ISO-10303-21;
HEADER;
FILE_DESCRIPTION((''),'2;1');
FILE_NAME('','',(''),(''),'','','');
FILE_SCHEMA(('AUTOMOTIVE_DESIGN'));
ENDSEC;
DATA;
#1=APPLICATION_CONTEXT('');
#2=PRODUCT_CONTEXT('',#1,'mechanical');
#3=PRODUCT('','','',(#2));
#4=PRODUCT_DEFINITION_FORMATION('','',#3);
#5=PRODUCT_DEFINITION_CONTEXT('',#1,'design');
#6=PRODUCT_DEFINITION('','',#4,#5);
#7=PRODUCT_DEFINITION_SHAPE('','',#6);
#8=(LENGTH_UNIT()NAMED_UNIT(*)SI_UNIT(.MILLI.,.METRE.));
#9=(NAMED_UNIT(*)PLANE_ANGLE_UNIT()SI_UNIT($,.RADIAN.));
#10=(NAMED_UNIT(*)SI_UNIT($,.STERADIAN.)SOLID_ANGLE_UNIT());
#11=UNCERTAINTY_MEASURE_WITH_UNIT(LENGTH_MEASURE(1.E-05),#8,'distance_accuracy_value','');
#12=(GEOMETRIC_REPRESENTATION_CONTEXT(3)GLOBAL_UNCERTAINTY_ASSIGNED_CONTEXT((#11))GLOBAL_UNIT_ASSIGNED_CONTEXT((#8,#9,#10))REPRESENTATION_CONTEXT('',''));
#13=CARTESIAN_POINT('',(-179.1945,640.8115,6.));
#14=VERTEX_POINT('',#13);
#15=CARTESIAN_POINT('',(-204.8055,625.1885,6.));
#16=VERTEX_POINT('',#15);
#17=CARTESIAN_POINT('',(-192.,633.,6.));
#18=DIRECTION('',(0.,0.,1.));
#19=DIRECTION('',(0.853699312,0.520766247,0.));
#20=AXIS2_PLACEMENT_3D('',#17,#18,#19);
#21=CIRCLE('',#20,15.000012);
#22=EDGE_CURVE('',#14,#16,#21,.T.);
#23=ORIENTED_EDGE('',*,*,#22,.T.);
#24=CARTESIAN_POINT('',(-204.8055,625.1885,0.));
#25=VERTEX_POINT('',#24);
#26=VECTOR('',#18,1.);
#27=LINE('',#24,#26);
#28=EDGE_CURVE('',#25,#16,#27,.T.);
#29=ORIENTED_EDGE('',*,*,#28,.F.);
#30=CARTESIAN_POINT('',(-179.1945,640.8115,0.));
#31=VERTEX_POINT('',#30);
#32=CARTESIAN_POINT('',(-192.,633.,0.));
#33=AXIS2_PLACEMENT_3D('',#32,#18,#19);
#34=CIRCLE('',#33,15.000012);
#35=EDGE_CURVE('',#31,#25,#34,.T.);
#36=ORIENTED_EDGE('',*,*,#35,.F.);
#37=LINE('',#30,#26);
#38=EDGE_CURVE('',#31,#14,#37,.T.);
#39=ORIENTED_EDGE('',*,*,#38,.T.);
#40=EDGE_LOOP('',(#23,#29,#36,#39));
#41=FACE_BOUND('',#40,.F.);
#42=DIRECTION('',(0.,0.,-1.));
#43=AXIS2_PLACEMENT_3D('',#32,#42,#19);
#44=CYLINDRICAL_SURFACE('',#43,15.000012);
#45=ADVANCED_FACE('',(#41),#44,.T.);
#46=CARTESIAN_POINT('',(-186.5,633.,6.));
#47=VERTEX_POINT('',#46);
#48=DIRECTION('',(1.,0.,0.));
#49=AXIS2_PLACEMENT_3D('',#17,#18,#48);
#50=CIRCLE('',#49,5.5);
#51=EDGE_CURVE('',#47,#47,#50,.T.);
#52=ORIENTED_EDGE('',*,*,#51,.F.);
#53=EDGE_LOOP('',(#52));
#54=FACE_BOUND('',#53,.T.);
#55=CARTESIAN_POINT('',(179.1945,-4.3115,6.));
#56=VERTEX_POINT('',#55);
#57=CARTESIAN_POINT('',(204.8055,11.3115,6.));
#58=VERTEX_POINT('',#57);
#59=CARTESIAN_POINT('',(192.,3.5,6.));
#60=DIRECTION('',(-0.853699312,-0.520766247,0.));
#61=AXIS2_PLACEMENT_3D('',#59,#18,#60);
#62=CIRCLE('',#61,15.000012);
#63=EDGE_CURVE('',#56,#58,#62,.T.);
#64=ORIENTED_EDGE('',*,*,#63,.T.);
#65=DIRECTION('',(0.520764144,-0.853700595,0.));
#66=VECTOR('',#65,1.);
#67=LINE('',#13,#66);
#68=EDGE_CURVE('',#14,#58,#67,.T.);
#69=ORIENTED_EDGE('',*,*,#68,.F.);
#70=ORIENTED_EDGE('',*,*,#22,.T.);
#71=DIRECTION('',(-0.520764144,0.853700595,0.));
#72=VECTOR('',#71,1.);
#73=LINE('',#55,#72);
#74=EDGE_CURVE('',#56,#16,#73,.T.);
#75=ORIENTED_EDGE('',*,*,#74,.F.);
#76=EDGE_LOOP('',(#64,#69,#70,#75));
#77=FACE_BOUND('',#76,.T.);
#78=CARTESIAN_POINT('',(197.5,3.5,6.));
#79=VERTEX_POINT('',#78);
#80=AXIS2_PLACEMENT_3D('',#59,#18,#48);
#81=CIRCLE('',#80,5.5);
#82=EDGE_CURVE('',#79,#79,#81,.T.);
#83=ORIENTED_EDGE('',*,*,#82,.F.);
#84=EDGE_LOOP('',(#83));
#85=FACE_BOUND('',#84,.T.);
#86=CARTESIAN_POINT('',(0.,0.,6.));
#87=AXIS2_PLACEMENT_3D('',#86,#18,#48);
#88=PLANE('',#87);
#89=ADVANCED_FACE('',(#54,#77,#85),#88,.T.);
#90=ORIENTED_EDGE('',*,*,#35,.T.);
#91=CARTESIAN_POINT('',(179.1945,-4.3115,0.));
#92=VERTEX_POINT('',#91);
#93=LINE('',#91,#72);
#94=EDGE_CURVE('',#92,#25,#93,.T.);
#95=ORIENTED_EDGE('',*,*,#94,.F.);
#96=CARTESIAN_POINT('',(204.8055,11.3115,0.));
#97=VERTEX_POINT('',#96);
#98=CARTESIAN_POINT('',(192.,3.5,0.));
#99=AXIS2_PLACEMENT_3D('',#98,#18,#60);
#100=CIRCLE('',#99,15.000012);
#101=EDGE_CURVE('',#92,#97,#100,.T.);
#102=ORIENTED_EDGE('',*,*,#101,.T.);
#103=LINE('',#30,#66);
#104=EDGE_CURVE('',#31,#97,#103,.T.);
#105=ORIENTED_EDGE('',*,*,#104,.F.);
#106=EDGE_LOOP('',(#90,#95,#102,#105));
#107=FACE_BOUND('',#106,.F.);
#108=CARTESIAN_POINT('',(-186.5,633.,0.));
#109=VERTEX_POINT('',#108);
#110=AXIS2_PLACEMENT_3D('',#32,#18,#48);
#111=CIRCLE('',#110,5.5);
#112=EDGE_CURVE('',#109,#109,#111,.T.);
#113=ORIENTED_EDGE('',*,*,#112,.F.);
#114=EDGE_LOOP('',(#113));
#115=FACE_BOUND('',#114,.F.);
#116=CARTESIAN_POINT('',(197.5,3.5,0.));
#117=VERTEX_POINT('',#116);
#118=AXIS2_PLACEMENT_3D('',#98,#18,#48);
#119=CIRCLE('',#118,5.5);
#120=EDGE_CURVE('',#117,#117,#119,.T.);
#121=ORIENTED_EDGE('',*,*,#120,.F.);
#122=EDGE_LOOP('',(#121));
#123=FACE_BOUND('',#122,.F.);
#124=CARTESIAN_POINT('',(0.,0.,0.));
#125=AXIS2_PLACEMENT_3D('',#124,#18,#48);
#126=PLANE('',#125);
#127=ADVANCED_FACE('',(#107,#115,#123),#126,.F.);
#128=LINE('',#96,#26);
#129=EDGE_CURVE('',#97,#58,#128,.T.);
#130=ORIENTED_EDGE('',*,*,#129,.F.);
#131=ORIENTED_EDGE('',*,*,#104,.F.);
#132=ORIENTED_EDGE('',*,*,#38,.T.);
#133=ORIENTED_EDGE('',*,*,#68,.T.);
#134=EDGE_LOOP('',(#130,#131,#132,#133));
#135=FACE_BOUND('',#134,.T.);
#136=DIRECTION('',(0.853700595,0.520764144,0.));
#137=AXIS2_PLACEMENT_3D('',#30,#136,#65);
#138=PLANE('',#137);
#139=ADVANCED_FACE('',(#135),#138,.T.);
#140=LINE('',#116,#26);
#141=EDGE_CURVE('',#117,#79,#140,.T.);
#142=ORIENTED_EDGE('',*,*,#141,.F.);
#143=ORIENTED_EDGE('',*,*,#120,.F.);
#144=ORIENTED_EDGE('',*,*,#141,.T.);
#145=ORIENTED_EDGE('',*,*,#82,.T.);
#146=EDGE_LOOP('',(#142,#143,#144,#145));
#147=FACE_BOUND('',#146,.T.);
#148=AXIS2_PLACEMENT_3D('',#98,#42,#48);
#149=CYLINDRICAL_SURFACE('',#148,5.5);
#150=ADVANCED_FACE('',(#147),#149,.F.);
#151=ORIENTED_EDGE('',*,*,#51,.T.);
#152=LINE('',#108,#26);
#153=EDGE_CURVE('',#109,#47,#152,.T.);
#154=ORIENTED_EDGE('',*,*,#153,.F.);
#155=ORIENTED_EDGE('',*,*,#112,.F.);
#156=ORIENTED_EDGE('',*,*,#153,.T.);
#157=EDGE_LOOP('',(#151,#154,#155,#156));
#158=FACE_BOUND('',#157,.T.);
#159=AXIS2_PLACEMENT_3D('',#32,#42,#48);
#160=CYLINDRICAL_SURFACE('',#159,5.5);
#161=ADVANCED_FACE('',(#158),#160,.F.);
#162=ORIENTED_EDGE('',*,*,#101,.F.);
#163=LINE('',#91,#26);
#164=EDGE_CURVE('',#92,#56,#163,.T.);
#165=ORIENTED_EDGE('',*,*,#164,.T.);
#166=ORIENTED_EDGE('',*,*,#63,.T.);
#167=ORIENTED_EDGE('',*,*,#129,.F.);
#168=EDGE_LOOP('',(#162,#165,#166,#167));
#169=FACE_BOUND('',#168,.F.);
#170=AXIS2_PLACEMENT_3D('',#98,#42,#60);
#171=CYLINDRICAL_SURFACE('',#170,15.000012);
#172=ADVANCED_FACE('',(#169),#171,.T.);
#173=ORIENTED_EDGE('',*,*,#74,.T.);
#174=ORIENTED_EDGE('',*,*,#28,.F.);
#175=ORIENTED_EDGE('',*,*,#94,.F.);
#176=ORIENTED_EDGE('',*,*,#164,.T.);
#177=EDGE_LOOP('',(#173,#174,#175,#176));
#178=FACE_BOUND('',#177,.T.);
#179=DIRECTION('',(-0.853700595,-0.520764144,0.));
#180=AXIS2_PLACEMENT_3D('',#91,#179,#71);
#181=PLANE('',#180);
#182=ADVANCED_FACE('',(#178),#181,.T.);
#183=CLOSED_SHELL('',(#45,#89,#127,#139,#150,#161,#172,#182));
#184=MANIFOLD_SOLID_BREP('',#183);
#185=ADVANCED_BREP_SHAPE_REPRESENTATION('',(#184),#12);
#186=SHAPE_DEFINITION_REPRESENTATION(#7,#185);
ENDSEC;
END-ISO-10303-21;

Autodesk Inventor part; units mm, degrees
ref_plane "YZ Plane" through (0, 0, 0) normal (1, 0, 0) x (0, 1, 0)
ref_plane "XZ Plane" through (0, 0, 0) normal (0, 1, 0) x (-1, 0, 0)
ref_plane "XY Plane" through (0, 0, 0) normal (0, 0, 1) x (1, 0, 0)
sketch "Sketch1" plane through (0, 0, 0) normal (0, 0, 1) x (1, 0, 0)
  circle A0 centre (192, 3.5) radius 5.5 projected
  circle A1 centre (-192, 633) radius 5.5 projected
  circle A2 centre (-192, 633) radius 5.5
  arc A3 (-179.1945, 640.8115) -> (-204.8055, 625.1885) centre (-192, 633) ccw
  circle A4 centre (192, 3.5) radius 5.5
  arc A5 (179.1945, -4.3115) -> (204.8055, 11.3115) centre (192, 3.5) ccw
  line L0 (-179.1945, 640.8115) -> (204.8055, 11.3115)
  line L1 (179.1945, -4.3115) -> (-204.8055, 625.1885)
  point P0 (0, 0)
  dimension "d2" = 30
  dimension "d3" = 11
  dimension "d4" = 11
  dimension "d5" = 30
extrude "Extrusion2" add sketch "Sketch1" along normal blind 6
properties part number "90-08-0850" material "Steel, Mild"
